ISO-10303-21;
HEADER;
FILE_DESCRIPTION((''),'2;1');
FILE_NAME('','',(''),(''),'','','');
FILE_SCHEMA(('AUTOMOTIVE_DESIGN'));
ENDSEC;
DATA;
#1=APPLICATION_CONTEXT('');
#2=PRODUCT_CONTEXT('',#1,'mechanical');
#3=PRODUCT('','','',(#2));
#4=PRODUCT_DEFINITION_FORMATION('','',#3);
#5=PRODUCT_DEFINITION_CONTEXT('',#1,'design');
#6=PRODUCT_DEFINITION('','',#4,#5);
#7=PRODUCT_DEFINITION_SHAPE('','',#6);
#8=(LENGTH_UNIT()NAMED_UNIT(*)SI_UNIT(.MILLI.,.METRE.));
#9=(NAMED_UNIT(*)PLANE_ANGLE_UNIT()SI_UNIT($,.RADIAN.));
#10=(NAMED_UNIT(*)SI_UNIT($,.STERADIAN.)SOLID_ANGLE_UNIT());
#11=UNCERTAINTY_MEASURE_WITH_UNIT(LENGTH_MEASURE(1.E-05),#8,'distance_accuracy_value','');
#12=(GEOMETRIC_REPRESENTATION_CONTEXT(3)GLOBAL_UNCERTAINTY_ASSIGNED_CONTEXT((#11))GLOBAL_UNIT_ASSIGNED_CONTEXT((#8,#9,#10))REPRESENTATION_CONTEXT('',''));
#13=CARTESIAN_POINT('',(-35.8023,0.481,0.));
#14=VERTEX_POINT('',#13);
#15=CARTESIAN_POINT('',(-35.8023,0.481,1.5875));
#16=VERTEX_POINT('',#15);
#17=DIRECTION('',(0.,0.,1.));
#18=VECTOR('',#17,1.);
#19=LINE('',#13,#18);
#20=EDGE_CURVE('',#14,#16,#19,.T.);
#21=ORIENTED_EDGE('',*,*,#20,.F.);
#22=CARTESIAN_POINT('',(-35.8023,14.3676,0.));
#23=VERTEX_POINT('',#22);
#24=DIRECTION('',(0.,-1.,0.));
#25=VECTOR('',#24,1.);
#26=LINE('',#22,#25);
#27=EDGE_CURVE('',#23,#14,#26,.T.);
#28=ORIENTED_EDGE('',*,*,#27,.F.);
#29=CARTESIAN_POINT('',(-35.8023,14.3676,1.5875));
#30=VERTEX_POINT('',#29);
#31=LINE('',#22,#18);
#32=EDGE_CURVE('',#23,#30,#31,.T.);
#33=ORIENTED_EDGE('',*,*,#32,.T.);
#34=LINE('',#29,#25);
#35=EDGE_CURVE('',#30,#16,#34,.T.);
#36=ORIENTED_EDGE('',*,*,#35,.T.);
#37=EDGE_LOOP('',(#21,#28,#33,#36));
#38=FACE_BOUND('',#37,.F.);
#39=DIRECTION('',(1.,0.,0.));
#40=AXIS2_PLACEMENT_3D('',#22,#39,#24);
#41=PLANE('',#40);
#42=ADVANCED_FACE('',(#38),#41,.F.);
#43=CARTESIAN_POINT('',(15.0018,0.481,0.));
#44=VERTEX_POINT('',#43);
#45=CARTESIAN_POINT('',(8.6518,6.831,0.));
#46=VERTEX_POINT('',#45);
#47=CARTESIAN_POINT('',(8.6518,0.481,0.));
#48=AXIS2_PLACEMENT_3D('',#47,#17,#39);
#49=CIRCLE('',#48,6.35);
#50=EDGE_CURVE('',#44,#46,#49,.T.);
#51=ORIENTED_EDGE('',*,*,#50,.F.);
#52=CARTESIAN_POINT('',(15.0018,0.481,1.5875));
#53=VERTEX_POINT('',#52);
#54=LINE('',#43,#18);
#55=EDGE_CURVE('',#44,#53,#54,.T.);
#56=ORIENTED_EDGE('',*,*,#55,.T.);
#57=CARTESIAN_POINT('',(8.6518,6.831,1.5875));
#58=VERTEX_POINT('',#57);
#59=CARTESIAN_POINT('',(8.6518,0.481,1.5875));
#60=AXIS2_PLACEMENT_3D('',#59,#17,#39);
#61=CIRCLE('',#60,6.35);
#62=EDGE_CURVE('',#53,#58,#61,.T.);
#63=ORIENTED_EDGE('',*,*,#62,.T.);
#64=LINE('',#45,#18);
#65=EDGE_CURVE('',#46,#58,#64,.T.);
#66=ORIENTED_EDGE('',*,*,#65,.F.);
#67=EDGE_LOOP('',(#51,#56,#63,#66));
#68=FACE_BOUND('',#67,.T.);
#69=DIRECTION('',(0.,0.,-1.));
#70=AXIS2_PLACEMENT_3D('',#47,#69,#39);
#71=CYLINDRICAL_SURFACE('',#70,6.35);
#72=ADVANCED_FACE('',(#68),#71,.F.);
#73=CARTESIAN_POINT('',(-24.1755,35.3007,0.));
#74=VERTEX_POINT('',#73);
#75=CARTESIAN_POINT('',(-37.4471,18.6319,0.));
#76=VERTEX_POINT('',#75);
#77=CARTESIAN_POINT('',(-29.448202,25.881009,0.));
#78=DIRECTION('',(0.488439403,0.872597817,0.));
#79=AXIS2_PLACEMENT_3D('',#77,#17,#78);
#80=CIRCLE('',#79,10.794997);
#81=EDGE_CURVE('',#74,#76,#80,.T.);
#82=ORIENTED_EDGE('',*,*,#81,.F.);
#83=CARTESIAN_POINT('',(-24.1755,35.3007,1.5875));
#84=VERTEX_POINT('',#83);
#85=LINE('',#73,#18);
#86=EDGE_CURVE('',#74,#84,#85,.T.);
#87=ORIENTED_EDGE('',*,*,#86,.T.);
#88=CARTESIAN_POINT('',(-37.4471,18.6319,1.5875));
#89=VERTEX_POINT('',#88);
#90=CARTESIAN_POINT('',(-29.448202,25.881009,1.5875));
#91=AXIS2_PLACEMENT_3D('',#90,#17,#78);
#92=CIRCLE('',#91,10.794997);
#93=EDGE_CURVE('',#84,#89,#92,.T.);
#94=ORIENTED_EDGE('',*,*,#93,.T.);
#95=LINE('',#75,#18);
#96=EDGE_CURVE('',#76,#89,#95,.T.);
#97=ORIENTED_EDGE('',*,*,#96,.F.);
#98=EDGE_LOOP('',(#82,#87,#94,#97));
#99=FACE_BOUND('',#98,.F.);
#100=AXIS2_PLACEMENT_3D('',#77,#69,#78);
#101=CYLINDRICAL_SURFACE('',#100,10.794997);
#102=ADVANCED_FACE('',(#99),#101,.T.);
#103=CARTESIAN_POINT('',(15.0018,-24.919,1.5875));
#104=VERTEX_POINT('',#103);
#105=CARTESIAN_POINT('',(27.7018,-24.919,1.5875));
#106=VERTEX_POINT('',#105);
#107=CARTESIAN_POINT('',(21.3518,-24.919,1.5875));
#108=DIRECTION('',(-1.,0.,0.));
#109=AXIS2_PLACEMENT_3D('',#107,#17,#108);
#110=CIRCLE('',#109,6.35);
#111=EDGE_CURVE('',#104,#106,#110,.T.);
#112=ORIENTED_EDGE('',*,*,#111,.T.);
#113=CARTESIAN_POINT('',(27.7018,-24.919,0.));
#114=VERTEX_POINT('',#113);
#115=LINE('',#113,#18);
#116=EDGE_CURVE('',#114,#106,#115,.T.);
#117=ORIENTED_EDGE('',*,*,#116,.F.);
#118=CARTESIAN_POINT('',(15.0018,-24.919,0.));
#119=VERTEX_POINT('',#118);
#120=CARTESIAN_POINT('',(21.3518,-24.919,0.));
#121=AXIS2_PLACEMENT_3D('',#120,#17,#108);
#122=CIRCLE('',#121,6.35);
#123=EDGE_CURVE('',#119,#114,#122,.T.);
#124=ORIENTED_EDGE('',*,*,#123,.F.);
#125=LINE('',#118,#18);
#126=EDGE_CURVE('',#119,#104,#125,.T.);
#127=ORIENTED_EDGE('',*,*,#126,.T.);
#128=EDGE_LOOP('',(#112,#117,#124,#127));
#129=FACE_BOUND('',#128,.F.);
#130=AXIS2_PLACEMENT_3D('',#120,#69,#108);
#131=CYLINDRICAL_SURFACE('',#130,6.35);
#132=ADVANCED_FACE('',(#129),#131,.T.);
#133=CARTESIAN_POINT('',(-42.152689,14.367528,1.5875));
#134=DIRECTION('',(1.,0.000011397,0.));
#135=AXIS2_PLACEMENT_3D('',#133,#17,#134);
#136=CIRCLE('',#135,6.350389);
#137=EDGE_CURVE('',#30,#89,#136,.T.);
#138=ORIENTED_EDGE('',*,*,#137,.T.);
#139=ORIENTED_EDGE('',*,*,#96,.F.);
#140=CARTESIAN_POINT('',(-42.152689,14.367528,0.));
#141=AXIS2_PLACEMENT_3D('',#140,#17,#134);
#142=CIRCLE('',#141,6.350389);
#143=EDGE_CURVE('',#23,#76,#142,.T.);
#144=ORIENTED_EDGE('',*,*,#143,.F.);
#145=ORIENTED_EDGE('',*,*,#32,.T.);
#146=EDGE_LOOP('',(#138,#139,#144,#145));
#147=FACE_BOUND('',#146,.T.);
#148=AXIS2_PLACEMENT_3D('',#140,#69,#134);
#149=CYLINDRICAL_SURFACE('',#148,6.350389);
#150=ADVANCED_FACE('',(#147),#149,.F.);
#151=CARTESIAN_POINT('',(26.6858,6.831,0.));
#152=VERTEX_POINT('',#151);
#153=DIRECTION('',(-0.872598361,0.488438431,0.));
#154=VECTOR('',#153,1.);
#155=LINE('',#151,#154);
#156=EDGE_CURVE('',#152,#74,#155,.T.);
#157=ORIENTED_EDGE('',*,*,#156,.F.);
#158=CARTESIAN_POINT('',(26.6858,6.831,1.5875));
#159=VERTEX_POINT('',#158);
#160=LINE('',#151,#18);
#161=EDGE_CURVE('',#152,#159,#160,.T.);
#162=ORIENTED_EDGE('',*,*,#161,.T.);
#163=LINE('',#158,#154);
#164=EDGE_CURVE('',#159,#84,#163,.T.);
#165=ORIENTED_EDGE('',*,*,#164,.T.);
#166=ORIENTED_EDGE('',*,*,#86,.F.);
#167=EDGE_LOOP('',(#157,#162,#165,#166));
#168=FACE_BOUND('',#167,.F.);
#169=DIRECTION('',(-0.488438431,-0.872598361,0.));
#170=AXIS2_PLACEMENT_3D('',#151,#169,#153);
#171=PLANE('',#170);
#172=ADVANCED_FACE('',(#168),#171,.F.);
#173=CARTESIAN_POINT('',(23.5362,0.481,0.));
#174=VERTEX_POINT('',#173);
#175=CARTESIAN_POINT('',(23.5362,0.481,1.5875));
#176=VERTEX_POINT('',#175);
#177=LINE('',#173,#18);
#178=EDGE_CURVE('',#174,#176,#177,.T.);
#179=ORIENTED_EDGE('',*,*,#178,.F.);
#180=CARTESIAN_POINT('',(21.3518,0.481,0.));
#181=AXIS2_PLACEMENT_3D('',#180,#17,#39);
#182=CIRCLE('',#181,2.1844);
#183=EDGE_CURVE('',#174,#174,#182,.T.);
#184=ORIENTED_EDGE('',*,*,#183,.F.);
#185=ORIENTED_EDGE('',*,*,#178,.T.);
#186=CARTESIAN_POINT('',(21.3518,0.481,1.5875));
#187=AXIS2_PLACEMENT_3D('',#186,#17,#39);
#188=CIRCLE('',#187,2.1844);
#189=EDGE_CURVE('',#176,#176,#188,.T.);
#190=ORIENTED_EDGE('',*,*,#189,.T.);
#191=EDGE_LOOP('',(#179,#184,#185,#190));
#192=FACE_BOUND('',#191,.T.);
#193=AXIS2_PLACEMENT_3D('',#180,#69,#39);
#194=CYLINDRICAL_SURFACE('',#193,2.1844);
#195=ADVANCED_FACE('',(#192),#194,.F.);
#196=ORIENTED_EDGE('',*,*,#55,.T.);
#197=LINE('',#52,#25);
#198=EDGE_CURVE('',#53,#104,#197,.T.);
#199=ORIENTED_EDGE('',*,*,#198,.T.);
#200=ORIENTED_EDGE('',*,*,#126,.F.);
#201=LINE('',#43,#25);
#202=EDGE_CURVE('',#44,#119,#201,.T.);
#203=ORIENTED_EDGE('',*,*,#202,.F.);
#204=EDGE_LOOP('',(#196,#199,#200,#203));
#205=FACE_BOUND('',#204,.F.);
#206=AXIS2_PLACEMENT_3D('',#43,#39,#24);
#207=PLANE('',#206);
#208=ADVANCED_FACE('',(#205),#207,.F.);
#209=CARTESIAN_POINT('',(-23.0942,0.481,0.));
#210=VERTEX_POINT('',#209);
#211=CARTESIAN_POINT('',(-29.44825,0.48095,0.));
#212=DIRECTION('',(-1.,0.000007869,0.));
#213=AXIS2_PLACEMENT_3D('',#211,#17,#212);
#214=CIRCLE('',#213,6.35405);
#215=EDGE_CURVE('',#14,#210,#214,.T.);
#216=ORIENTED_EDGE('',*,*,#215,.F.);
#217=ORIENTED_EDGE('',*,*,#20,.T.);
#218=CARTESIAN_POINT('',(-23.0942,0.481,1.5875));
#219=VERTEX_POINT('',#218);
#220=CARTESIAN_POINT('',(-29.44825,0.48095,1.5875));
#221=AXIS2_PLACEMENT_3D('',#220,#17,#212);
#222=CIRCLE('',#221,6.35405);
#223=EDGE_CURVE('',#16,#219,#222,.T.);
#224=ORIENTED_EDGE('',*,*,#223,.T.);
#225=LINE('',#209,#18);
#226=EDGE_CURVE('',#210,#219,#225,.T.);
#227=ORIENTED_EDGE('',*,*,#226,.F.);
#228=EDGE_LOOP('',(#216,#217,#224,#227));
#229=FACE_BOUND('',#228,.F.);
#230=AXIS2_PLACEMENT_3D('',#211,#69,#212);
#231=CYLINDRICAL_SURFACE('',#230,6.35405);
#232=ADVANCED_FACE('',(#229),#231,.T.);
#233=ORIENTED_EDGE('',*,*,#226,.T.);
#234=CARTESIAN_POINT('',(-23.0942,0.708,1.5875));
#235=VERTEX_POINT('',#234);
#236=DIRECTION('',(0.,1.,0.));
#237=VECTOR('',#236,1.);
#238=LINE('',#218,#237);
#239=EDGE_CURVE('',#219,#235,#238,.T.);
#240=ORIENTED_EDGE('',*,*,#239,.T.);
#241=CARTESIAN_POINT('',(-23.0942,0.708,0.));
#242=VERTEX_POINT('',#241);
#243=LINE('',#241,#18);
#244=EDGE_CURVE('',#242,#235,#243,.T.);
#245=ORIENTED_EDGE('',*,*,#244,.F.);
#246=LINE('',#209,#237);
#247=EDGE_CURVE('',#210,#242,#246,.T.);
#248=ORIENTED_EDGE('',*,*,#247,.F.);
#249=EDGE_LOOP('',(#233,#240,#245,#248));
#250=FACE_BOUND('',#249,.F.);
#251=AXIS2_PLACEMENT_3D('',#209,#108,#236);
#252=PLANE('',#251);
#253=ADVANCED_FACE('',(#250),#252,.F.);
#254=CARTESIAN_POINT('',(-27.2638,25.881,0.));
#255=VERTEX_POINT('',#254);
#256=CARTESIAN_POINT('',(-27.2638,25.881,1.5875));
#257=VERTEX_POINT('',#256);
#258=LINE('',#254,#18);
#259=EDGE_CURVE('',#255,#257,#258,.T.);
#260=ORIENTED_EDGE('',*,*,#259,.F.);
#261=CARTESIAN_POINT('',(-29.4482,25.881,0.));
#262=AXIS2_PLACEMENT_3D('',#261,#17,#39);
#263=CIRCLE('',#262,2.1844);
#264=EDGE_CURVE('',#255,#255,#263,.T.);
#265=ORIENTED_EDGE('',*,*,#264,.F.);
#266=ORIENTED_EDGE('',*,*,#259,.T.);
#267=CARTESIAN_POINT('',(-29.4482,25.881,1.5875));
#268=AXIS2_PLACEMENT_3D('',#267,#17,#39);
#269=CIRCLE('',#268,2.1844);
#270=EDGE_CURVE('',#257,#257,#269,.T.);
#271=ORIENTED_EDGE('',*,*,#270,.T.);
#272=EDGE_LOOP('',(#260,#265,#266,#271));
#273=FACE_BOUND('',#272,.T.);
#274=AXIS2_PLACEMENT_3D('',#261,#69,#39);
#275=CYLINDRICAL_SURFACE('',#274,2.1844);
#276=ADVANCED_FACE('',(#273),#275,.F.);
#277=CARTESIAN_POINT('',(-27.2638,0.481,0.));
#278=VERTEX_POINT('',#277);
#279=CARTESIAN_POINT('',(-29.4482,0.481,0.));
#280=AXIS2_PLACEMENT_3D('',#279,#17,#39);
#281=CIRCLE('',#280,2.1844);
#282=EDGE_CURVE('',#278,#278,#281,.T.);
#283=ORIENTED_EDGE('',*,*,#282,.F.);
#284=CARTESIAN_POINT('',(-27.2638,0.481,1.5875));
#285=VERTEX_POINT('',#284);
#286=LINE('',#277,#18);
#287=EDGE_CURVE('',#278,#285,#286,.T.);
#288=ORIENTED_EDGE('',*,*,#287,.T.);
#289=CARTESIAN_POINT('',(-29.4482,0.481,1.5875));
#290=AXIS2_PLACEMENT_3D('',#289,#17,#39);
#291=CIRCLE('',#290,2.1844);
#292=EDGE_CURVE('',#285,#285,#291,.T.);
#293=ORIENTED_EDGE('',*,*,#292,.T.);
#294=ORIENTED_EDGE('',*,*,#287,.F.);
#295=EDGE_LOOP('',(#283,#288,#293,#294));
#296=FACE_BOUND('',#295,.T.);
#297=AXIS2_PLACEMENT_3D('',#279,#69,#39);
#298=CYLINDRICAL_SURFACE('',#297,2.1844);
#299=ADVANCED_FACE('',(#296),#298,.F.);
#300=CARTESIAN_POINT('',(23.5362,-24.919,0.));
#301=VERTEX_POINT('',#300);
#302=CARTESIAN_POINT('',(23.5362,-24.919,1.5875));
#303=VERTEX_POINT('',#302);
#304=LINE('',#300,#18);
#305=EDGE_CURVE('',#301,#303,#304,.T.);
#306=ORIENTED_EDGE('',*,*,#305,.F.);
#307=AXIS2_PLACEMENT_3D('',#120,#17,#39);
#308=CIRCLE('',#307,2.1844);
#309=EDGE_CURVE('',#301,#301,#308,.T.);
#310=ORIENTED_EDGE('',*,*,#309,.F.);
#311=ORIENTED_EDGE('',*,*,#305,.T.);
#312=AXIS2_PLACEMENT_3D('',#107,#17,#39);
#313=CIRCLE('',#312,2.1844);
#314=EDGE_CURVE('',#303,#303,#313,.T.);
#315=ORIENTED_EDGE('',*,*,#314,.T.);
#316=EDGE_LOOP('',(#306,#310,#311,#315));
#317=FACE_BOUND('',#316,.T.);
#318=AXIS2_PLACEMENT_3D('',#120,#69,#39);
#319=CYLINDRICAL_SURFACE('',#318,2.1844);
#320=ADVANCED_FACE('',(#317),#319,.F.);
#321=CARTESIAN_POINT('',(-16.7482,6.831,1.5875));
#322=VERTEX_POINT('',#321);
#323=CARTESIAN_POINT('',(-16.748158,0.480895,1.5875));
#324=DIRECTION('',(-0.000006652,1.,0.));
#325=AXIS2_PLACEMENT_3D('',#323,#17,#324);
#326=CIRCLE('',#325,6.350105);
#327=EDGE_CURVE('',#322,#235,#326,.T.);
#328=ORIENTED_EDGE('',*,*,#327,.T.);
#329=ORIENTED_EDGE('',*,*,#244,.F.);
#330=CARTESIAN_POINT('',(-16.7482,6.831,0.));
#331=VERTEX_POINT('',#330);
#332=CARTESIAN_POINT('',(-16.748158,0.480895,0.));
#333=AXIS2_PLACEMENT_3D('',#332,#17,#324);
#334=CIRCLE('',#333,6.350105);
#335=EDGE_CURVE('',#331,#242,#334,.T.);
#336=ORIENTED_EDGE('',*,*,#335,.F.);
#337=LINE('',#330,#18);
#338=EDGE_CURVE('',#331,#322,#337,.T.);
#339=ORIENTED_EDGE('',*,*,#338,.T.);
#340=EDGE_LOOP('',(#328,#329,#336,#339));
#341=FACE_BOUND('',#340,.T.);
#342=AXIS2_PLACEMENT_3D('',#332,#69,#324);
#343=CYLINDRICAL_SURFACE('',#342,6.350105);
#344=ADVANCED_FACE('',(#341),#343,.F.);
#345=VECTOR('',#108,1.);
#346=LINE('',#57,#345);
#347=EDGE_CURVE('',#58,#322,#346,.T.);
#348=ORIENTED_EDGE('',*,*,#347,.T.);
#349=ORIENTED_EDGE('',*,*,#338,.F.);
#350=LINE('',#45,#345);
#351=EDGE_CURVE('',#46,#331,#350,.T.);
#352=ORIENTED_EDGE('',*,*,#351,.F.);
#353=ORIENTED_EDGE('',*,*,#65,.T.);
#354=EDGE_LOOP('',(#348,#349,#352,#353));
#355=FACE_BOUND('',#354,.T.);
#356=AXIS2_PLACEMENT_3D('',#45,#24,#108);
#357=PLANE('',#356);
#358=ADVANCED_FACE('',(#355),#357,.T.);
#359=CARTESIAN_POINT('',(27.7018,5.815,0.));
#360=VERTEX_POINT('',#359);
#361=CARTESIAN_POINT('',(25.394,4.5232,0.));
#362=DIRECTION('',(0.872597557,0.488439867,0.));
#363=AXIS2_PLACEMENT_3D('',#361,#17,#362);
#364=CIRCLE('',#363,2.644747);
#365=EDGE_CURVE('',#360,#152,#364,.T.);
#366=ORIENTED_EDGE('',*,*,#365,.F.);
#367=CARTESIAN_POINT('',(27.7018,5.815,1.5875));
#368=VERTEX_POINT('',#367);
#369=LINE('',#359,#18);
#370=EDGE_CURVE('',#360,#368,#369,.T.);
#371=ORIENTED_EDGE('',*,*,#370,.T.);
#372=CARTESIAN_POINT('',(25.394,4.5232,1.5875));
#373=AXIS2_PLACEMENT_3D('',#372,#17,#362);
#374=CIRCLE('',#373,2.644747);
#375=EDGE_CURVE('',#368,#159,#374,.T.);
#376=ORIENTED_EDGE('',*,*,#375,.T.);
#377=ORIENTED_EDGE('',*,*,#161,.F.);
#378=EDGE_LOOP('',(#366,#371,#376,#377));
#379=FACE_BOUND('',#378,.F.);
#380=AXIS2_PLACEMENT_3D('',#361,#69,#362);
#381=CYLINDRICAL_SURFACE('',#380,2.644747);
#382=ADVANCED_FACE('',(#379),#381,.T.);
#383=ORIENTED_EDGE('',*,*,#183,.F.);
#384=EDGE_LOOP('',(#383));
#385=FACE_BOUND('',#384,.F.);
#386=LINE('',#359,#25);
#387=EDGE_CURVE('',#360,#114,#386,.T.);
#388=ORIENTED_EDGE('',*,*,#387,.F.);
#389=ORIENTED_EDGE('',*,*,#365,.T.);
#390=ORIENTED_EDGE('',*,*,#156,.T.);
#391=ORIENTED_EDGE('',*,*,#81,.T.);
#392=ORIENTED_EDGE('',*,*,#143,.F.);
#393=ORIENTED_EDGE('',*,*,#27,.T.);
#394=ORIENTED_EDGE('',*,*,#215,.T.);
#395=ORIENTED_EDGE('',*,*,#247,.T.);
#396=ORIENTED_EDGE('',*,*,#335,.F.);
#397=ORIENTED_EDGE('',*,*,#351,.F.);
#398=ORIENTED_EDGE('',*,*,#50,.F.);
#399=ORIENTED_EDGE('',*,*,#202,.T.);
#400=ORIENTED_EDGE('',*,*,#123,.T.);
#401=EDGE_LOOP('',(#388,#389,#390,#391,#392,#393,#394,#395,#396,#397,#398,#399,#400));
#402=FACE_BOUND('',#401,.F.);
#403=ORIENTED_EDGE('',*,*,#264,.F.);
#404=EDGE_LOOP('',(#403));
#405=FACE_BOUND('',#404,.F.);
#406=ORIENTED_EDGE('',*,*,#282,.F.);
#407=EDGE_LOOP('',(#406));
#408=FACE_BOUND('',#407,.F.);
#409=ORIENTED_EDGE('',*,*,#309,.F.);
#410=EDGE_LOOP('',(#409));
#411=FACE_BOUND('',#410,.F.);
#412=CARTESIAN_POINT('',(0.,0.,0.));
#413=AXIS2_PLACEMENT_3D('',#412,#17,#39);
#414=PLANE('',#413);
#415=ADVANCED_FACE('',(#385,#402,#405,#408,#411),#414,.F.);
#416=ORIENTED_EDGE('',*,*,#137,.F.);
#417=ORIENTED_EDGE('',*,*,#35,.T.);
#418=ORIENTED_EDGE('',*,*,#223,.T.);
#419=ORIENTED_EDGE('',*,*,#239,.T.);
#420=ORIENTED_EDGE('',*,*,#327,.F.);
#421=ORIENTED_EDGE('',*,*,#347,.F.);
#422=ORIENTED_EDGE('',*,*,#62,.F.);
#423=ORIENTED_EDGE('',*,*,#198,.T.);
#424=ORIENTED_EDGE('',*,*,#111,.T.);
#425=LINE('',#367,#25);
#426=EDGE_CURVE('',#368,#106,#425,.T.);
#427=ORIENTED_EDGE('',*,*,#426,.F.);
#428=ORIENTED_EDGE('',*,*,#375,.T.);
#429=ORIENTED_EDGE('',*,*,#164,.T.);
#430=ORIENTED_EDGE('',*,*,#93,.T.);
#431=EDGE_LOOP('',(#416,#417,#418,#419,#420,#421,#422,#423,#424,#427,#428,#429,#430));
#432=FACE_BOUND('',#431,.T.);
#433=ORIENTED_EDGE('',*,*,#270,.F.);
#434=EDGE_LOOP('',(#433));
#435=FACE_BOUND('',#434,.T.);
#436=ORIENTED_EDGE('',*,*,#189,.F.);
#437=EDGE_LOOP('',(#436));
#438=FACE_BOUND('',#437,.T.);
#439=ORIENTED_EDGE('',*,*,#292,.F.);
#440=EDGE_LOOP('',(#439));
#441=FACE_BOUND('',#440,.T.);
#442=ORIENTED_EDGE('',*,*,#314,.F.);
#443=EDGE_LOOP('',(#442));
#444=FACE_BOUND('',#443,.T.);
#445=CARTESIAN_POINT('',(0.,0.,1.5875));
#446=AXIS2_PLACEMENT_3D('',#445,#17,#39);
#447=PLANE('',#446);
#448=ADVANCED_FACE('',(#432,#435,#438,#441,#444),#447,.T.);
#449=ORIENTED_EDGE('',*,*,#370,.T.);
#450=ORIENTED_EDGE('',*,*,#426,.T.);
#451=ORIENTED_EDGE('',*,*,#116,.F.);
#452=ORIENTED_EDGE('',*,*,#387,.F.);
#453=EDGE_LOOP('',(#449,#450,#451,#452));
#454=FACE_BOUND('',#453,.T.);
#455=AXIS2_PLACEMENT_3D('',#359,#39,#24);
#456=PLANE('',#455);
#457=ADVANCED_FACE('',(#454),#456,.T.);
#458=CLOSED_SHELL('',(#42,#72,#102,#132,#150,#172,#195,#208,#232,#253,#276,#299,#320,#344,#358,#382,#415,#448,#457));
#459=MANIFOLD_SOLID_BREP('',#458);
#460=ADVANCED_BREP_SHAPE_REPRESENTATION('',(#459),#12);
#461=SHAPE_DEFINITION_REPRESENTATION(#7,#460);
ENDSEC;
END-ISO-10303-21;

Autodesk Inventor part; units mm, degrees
ref_plane "YZ Plane" through (0, 0, 0) normal (1, 0, 0) x (0, 1, 0)
ref_plane "XZ Plane" through (0, 0, 0) normal (0, 1, 0) x (-1, 0, 0)
ref_plane "XY Plane" through (0, 0, 0) normal (0, 0, 1) x (1, 0, 0)
sketch "Sketch1" plane through (0, 0, 0) normal (0, 0, 1) x (1, 0, 0)
  circle A0 centre (-29.4482, 25.881) radius 2.1844
  circle A1 centre (-29.4482, 0.481) radius 2.1844
  circle A2 centre (21.3518, 0.481) radius 2.1844
  circle A3 centre (21.3518, -24.919) radius 2.1844
  line L0 (26.6858, 6.831) -> (-24.1755, 35.3007)
  arc A4 (27.7018, 5.815) -> (26.6858, 6.831) centre (25.394, 4.5232) ccw
  line L1 (27.7018, 5.815) -> (27.7018, -24.919)
  line L2 (15.0018, -24.919) -> (46.7518, -24.919) construction
  arc A5 (-35.8023, 0.481) -> (-23.0942, 0.481) centre (-29.4482, 0.481) ccw
  line L3 (-23.0942, 0.481) -> (-23.0942, 6.831)
  arc A6 (15.0018, -24.919) -> (27.7018, -24.919) centre (21.3518, -24.919) ccw
  arc A7 (-35.8023, 14.3676) -> (-37.4471, 18.6319) centre (-42.1523, 14.3676) ccw
  line L4 (-35.8023, 14.3676) -> (-35.8023, 0.481)
  arc A8 (-24.1755, 35.3007) -> (-37.4471, 18.6319) centre (-29.4482, 25.881) ccw
  arc A9 (-16.7482, 6.831) -> (-23.0942, 0.708) centre (-16.7482, 0.481) ccw
  arc A10 (15.0018, 0.481) -> (8.6518, 6.831) centre (8.6518, 0.481) ccw
  line L5 (8.6518, 6.831) -> (-16.7482, 6.831)
  line L6 (15.0018, 0.481) -> (15.0018, -24.919)
  point P0 (0, 0)
  dimension "d0" = 6.35
  dimension "d1" = 6.35
extrude "Extrusion1" add sketch "Sketch1" along normal blind 1.5875
properties part number "topFrontCorners"
